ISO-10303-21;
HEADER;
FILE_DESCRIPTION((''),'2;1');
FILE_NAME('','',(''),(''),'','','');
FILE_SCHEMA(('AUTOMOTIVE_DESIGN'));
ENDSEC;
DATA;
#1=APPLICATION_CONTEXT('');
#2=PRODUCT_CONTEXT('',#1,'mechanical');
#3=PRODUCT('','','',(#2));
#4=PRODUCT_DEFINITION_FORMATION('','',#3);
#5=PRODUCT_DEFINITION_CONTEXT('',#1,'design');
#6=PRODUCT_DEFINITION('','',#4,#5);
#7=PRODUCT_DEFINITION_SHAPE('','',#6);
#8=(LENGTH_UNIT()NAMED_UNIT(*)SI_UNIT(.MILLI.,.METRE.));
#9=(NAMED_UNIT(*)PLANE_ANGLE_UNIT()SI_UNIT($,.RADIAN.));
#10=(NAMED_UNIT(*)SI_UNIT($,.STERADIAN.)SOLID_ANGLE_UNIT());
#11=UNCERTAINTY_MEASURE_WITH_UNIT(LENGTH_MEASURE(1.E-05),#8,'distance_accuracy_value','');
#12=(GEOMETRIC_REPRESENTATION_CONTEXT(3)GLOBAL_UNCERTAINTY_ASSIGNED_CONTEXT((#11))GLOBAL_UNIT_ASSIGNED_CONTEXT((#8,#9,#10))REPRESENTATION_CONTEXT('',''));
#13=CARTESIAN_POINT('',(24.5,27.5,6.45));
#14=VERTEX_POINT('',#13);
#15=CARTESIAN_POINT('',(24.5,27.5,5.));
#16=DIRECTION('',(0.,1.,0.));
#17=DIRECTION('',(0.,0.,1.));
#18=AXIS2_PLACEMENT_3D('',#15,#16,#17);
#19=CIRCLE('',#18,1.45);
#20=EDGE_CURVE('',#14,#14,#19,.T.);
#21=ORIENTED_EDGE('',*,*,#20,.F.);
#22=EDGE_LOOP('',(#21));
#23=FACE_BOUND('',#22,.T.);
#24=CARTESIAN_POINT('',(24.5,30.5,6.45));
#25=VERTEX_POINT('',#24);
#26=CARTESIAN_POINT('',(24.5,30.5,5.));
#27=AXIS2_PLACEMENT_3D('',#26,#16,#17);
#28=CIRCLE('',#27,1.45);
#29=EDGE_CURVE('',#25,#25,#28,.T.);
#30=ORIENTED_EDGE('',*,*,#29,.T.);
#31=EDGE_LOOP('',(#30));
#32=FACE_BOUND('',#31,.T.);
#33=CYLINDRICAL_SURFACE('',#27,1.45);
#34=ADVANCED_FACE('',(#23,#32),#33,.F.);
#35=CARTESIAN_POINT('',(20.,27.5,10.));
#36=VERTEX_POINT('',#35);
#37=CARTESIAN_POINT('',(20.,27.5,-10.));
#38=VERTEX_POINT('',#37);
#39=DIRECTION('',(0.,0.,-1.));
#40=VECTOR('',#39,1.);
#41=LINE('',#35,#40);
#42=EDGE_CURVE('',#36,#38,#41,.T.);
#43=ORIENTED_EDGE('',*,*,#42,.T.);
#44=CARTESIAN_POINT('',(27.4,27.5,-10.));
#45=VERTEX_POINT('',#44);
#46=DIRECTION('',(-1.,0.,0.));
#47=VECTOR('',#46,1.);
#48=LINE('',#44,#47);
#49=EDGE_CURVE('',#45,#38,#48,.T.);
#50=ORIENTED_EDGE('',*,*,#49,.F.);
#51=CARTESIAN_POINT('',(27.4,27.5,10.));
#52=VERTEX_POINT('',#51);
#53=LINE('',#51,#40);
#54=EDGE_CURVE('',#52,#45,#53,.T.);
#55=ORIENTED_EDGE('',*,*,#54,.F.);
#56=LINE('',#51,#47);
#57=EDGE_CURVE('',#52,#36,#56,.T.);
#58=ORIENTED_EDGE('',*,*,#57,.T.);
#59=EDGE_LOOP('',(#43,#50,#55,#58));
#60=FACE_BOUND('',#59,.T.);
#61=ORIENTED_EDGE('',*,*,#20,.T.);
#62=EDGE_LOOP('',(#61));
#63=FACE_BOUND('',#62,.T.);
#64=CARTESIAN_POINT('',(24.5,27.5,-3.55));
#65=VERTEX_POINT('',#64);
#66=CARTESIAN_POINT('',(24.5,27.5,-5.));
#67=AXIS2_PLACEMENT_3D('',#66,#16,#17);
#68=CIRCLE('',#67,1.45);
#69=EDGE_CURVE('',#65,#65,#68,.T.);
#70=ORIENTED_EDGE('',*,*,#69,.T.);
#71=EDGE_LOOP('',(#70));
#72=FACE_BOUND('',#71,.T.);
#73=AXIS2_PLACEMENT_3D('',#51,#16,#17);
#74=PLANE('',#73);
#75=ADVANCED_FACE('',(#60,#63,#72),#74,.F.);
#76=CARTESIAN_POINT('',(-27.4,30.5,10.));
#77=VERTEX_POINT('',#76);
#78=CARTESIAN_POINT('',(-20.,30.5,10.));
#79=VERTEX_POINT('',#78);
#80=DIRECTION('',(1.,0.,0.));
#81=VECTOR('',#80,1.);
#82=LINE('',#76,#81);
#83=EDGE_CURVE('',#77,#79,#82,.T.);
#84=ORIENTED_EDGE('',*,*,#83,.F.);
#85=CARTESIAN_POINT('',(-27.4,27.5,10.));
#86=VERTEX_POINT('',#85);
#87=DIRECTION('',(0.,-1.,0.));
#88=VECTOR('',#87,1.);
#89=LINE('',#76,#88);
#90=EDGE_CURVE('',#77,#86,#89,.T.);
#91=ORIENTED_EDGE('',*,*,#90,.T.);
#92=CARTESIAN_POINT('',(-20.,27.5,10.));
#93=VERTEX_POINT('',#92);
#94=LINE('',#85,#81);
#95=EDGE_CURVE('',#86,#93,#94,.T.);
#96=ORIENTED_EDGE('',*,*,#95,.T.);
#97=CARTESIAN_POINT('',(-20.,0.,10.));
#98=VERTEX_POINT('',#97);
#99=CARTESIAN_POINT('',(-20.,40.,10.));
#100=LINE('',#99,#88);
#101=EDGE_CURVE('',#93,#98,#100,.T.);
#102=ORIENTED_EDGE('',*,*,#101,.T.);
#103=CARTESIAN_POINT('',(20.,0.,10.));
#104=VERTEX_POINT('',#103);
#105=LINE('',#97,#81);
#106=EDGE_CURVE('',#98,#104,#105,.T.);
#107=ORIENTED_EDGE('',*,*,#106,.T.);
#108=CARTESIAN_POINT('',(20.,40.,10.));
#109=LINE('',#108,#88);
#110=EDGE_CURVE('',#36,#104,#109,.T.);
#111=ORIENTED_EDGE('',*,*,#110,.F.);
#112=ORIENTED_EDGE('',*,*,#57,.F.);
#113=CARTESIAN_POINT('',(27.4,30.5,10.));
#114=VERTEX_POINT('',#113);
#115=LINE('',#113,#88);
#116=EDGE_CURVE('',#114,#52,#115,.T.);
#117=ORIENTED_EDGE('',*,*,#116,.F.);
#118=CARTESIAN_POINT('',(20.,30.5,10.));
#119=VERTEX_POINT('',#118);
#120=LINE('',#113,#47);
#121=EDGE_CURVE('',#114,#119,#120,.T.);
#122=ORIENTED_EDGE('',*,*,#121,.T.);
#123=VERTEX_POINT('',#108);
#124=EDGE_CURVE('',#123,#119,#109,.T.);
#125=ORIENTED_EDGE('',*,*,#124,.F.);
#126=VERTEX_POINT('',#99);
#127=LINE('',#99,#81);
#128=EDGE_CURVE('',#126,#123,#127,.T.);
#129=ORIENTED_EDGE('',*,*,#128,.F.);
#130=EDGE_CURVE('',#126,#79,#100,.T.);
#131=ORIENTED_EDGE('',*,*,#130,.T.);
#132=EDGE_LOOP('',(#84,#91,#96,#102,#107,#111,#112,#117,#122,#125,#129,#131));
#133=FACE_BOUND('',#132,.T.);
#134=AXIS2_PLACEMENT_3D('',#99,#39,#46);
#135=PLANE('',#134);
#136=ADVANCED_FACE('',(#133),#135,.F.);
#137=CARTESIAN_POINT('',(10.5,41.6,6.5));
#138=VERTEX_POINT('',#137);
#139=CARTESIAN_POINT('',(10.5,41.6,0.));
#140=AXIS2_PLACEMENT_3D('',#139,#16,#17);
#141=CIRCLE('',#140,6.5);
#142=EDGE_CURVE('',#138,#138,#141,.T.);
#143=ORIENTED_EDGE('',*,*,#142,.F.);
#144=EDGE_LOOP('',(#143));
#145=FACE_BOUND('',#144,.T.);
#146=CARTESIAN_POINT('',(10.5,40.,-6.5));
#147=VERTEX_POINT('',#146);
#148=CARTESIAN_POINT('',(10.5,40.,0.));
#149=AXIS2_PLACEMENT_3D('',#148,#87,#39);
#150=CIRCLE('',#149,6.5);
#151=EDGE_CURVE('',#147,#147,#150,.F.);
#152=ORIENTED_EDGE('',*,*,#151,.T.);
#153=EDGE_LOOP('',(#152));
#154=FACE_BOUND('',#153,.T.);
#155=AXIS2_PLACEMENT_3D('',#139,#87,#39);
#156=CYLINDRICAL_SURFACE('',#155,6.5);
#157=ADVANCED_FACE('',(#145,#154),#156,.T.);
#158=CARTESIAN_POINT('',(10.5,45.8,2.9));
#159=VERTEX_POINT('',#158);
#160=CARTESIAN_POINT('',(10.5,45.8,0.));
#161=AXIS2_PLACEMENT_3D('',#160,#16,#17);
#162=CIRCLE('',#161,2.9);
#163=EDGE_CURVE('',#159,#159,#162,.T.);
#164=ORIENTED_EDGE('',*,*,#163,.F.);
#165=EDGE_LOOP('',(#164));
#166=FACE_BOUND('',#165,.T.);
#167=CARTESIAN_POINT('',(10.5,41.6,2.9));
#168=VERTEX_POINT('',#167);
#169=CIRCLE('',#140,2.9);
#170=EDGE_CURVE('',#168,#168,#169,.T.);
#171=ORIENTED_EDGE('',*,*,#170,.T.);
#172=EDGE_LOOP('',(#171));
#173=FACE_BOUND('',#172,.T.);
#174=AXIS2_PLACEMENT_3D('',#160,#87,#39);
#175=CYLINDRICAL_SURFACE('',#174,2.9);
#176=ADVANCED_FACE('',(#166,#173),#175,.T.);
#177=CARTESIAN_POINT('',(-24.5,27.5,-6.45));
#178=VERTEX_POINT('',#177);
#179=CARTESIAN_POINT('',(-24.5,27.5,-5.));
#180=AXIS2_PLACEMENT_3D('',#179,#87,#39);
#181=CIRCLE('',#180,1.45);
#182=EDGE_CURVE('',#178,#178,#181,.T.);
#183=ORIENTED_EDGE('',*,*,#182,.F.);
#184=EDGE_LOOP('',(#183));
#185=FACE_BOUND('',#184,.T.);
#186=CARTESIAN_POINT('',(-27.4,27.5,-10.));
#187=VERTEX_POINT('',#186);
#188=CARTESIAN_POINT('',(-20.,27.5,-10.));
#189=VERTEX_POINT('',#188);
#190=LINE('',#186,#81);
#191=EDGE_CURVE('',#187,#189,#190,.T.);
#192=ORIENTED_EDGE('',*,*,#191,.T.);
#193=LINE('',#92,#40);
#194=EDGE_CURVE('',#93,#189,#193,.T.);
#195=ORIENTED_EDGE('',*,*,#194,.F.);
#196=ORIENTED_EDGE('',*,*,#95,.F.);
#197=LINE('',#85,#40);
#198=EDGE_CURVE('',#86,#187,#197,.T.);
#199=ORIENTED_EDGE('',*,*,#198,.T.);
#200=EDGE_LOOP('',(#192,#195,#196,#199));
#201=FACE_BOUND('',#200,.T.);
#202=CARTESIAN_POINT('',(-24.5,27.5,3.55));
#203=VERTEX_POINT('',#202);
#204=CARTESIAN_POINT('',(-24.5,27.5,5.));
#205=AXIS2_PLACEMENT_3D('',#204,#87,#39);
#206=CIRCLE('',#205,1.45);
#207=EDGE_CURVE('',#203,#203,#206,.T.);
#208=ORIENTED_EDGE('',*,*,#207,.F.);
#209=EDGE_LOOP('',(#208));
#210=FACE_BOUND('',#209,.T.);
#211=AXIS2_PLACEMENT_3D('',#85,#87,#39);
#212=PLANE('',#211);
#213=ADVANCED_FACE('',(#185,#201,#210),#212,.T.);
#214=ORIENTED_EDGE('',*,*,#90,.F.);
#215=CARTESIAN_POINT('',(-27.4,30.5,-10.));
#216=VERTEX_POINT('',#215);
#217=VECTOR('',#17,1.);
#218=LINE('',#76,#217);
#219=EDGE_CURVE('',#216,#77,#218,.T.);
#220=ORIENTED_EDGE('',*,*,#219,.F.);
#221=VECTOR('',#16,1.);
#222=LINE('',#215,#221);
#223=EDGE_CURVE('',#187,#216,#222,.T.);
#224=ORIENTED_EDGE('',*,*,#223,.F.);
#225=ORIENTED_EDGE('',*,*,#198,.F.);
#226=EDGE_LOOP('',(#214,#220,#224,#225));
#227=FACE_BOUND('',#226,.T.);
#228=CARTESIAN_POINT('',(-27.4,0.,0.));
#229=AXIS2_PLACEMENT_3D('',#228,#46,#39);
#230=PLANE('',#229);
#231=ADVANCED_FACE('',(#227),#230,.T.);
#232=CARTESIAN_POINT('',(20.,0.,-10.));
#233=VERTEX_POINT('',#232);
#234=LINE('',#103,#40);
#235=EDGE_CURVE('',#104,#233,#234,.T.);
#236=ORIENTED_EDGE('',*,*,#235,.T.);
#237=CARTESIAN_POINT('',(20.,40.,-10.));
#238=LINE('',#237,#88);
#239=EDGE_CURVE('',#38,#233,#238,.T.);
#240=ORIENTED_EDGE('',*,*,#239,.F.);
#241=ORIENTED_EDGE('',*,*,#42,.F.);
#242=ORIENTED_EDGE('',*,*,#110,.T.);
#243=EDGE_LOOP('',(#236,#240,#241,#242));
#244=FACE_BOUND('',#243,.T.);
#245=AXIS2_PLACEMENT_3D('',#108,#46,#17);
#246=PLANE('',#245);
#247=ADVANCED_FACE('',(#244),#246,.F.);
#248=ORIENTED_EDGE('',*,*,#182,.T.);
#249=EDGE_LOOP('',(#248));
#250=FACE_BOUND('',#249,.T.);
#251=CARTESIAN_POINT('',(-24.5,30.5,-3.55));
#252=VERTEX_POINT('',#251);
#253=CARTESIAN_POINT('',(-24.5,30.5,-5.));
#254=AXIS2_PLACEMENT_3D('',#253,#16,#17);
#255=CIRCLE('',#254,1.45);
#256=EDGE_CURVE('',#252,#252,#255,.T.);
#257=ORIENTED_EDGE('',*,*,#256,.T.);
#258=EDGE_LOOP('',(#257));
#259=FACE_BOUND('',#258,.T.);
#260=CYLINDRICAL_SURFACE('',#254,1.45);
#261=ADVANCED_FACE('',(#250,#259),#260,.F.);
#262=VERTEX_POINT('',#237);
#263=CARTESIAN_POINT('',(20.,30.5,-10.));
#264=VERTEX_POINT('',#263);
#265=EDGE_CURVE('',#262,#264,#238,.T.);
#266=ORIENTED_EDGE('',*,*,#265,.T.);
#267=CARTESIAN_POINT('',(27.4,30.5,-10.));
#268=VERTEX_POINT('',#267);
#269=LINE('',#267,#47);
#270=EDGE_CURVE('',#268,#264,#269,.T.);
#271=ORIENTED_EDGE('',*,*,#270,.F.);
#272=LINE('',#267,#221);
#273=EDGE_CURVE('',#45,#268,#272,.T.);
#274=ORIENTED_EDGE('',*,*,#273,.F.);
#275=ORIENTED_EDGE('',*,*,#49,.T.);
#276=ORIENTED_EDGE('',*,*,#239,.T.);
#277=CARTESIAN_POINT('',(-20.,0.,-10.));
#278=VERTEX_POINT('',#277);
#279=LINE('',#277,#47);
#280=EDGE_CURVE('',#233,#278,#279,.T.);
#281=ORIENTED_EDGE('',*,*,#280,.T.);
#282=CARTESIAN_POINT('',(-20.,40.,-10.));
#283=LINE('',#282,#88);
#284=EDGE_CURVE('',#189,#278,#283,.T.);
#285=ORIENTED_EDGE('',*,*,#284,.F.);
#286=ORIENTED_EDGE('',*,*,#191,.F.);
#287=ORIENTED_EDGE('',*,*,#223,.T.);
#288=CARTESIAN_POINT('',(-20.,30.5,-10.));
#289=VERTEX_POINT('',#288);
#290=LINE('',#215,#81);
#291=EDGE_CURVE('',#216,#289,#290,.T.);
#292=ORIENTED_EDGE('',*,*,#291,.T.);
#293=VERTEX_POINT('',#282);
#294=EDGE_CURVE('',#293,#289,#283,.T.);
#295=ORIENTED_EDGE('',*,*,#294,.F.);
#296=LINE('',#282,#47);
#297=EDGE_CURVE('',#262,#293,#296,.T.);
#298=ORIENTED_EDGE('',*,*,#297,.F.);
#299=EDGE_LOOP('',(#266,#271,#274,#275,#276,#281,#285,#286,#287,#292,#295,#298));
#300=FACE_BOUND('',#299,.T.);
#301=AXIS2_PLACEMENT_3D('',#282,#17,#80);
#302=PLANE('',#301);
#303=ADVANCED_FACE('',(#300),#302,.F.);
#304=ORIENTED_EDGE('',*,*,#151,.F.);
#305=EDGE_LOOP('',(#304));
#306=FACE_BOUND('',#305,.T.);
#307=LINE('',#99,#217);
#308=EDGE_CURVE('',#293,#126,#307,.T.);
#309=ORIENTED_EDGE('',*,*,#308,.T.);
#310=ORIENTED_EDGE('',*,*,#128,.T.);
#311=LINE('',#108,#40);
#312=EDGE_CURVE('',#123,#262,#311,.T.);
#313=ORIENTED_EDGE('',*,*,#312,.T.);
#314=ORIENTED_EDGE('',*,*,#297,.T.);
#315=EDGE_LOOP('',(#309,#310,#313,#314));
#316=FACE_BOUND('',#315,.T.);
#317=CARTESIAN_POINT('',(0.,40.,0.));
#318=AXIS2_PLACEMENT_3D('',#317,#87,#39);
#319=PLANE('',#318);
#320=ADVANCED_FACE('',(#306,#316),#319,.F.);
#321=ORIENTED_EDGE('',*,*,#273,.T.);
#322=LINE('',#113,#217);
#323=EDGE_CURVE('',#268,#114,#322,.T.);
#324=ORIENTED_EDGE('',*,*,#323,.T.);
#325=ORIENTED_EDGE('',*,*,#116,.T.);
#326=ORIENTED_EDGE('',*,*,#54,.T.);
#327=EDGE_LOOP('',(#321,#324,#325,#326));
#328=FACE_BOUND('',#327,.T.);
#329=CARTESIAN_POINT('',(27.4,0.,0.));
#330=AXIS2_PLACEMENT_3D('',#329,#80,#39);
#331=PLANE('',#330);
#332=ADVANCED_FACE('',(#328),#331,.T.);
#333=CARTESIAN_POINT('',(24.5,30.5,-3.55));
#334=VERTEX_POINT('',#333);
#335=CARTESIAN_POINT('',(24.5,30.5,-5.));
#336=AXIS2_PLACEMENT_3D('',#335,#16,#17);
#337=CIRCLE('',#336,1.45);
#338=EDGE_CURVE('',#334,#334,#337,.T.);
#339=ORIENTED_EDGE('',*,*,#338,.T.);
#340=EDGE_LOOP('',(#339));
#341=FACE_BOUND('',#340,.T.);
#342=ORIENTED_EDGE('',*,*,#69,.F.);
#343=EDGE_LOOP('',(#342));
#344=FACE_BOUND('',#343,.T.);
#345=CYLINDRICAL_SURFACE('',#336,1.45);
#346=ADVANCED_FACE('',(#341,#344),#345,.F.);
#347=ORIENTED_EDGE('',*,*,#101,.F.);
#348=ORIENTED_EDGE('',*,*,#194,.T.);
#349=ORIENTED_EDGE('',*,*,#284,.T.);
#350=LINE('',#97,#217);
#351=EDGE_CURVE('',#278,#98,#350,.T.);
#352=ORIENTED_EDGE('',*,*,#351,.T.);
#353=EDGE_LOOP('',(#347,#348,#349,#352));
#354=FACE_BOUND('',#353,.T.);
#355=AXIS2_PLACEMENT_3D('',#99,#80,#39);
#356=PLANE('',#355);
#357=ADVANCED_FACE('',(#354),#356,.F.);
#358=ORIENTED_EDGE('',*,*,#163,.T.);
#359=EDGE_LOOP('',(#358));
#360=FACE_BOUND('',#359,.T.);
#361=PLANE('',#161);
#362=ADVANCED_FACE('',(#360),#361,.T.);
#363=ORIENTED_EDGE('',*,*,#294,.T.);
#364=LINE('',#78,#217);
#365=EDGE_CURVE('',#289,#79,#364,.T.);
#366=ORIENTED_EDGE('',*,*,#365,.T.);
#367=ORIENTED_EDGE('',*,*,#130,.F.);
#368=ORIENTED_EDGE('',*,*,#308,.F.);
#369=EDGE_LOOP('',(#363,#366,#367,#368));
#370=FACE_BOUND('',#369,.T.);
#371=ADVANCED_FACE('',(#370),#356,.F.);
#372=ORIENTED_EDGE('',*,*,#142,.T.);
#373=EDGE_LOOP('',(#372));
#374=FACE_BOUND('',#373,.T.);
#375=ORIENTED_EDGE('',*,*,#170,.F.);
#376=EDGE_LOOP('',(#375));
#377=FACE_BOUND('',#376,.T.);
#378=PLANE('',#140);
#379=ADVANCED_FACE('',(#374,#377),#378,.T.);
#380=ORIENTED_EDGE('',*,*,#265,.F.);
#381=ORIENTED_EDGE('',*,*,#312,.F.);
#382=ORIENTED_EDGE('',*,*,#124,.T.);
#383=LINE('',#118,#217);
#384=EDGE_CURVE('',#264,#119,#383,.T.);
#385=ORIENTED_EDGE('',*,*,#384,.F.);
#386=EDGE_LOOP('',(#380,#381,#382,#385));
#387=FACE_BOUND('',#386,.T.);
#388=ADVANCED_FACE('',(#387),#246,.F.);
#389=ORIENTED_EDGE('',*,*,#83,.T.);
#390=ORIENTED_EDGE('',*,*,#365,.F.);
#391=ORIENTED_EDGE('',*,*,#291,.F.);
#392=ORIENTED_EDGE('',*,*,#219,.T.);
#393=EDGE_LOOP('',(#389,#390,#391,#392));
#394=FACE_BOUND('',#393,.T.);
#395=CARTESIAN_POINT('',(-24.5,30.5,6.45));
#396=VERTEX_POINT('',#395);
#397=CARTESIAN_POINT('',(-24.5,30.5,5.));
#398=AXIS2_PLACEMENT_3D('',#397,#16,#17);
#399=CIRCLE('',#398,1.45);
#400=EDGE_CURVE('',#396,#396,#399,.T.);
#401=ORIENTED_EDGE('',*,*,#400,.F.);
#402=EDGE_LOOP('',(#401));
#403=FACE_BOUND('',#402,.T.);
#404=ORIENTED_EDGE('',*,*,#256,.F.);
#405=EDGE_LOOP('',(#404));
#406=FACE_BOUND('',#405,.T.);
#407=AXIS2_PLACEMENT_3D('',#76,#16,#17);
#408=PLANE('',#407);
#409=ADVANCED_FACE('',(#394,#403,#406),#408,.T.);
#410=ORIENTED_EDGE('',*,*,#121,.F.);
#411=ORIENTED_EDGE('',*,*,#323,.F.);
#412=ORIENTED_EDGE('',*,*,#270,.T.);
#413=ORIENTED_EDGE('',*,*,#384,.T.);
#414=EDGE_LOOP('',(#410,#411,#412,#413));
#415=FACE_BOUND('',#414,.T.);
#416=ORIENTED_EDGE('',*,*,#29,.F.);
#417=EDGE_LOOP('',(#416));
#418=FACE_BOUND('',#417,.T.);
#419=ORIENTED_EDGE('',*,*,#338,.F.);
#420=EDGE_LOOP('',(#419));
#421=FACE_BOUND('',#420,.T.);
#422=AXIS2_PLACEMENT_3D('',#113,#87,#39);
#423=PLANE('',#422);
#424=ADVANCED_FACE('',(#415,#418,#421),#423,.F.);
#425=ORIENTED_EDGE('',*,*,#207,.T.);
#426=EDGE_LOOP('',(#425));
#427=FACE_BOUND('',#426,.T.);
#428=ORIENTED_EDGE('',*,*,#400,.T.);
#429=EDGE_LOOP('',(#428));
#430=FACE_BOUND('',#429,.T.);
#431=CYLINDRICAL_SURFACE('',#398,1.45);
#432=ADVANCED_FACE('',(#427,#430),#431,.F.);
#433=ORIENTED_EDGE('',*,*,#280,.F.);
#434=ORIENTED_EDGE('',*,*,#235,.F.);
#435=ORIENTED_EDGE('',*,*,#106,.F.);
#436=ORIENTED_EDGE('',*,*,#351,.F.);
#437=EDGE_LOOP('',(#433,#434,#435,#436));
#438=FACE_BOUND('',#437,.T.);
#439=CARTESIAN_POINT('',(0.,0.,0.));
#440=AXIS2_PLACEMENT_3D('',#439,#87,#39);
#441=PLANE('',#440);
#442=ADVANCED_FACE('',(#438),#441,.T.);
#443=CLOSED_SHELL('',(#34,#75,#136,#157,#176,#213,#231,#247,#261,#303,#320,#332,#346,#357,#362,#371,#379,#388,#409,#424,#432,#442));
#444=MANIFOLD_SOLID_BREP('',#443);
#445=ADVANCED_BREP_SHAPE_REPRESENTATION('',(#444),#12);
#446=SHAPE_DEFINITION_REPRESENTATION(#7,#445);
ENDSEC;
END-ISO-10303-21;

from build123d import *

# Parameters (mm, degrees)
SKETCH1_W                  = 40
SKETCH1_H                  = 20
BOSS_EXTRUDE1_DEPTH        = 40
SKETCH2_W                  = 20
SKETCH2_H                  = 3
BOSS_EXTRUDE2_DEPTH        = 7.4
SKETCH3_R                  = 2.9
BOSS_EXTRUDE3_DEPTH        = 5.8
SKETCH5_R                  = 6.5
BOSS_EXTRUDE4_DEPTH        = 1.6
M2_5_CLEARANCE_SLOT1_D     = 2.9
M2_5_CLEARANCE_SLOT1_DEPTH = 8.999
M2_5_CLEARANCE_SLOT1_TIP   = 0.871247898


with BuildPart() as part:
    # Sketch1 → Boss-Extrude1 (new body)
    with BuildSketch(Plane(origin=(0, 0, 0), x_dir=(1, 0, 0), z_dir=(0, 1, 0))):
        Rectangle(SKETCH1_W, SKETCH1_H)
    extrude(amount=BOSS_EXTRUDE1_DEPTH)

    # Sketch2 → Boss-Extrude2 (add)
    with BuildSketch(Plane(origin=(20, 0, 0), x_dir=(0, 0, -1), z_dir=(1, 0, 0))):
        with Locations((0, 29)):
            Rectangle(SKETCH2_W, SKETCH2_H)
    boss_extrude2 = extrude(amount=BOSS_EXTRUDE2_DEPTH)

    # Mirror1: Boss-Extrude2 across plane
    add(boss_extrude2.mirror(Plane(origin=(0, 0, 0), x_dir=(0, 0, 1), z_dir=(1, 0, 0))))

    # Sketch3 → Boss-Extrude3 (add)
    with BuildSketch(Plane(origin=(0, 40, 0), x_dir=(1, 0, 0), z_dir=(0, 1, 0))):
        with Locations((10.5, 0)):
            Circle(SKETCH3_R)
    extrude(amount=BOSS_EXTRUDE3_DEPTH)

    # Sketch5 → Boss-Extrude4 (add)
    with BuildSketch(Plane(origin=(0, 40, 0), x_dir=(1, 0, 0), z_dir=(0, 1, 0))):
        with Locations((10.5, 0)):
            Circle(SKETCH5_R)
    extrude(amount=BOSS_EXTRUDE4_DEPTH)

    # M2.5 Clearance Slot1
    with Locations(Plane(origin=(-162.114339431, 30.5, -5.431907662), x_dir=(0.412719532, 0, 0.91085816), z_dir=(0, 1, 0))):
        with Locations((57.189532403, 125.168887287), (66.298114004, 121.041691966), (77.412789478, 169.800937131), (86.521371079, 165.67374181)):
            Hole(M2_5_CLEARANCE_SLOT1_D / 2, depth=M2_5_CLEARANCE_SLOT1_DEPTH)
            with Locations((0, 0, -(M2_5_CLEARANCE_SLOT1_DEPTH + M2_5_CLEARANCE_SLOT1_TIP / 2))):  # 118° drill point
                Cone(0, M2_5_CLEARANCE_SLOT1_D / 2, M2_5_CLEARANCE_SLOT1_TIP, mode=Mode.SUBTRACT)


solid = part.part
